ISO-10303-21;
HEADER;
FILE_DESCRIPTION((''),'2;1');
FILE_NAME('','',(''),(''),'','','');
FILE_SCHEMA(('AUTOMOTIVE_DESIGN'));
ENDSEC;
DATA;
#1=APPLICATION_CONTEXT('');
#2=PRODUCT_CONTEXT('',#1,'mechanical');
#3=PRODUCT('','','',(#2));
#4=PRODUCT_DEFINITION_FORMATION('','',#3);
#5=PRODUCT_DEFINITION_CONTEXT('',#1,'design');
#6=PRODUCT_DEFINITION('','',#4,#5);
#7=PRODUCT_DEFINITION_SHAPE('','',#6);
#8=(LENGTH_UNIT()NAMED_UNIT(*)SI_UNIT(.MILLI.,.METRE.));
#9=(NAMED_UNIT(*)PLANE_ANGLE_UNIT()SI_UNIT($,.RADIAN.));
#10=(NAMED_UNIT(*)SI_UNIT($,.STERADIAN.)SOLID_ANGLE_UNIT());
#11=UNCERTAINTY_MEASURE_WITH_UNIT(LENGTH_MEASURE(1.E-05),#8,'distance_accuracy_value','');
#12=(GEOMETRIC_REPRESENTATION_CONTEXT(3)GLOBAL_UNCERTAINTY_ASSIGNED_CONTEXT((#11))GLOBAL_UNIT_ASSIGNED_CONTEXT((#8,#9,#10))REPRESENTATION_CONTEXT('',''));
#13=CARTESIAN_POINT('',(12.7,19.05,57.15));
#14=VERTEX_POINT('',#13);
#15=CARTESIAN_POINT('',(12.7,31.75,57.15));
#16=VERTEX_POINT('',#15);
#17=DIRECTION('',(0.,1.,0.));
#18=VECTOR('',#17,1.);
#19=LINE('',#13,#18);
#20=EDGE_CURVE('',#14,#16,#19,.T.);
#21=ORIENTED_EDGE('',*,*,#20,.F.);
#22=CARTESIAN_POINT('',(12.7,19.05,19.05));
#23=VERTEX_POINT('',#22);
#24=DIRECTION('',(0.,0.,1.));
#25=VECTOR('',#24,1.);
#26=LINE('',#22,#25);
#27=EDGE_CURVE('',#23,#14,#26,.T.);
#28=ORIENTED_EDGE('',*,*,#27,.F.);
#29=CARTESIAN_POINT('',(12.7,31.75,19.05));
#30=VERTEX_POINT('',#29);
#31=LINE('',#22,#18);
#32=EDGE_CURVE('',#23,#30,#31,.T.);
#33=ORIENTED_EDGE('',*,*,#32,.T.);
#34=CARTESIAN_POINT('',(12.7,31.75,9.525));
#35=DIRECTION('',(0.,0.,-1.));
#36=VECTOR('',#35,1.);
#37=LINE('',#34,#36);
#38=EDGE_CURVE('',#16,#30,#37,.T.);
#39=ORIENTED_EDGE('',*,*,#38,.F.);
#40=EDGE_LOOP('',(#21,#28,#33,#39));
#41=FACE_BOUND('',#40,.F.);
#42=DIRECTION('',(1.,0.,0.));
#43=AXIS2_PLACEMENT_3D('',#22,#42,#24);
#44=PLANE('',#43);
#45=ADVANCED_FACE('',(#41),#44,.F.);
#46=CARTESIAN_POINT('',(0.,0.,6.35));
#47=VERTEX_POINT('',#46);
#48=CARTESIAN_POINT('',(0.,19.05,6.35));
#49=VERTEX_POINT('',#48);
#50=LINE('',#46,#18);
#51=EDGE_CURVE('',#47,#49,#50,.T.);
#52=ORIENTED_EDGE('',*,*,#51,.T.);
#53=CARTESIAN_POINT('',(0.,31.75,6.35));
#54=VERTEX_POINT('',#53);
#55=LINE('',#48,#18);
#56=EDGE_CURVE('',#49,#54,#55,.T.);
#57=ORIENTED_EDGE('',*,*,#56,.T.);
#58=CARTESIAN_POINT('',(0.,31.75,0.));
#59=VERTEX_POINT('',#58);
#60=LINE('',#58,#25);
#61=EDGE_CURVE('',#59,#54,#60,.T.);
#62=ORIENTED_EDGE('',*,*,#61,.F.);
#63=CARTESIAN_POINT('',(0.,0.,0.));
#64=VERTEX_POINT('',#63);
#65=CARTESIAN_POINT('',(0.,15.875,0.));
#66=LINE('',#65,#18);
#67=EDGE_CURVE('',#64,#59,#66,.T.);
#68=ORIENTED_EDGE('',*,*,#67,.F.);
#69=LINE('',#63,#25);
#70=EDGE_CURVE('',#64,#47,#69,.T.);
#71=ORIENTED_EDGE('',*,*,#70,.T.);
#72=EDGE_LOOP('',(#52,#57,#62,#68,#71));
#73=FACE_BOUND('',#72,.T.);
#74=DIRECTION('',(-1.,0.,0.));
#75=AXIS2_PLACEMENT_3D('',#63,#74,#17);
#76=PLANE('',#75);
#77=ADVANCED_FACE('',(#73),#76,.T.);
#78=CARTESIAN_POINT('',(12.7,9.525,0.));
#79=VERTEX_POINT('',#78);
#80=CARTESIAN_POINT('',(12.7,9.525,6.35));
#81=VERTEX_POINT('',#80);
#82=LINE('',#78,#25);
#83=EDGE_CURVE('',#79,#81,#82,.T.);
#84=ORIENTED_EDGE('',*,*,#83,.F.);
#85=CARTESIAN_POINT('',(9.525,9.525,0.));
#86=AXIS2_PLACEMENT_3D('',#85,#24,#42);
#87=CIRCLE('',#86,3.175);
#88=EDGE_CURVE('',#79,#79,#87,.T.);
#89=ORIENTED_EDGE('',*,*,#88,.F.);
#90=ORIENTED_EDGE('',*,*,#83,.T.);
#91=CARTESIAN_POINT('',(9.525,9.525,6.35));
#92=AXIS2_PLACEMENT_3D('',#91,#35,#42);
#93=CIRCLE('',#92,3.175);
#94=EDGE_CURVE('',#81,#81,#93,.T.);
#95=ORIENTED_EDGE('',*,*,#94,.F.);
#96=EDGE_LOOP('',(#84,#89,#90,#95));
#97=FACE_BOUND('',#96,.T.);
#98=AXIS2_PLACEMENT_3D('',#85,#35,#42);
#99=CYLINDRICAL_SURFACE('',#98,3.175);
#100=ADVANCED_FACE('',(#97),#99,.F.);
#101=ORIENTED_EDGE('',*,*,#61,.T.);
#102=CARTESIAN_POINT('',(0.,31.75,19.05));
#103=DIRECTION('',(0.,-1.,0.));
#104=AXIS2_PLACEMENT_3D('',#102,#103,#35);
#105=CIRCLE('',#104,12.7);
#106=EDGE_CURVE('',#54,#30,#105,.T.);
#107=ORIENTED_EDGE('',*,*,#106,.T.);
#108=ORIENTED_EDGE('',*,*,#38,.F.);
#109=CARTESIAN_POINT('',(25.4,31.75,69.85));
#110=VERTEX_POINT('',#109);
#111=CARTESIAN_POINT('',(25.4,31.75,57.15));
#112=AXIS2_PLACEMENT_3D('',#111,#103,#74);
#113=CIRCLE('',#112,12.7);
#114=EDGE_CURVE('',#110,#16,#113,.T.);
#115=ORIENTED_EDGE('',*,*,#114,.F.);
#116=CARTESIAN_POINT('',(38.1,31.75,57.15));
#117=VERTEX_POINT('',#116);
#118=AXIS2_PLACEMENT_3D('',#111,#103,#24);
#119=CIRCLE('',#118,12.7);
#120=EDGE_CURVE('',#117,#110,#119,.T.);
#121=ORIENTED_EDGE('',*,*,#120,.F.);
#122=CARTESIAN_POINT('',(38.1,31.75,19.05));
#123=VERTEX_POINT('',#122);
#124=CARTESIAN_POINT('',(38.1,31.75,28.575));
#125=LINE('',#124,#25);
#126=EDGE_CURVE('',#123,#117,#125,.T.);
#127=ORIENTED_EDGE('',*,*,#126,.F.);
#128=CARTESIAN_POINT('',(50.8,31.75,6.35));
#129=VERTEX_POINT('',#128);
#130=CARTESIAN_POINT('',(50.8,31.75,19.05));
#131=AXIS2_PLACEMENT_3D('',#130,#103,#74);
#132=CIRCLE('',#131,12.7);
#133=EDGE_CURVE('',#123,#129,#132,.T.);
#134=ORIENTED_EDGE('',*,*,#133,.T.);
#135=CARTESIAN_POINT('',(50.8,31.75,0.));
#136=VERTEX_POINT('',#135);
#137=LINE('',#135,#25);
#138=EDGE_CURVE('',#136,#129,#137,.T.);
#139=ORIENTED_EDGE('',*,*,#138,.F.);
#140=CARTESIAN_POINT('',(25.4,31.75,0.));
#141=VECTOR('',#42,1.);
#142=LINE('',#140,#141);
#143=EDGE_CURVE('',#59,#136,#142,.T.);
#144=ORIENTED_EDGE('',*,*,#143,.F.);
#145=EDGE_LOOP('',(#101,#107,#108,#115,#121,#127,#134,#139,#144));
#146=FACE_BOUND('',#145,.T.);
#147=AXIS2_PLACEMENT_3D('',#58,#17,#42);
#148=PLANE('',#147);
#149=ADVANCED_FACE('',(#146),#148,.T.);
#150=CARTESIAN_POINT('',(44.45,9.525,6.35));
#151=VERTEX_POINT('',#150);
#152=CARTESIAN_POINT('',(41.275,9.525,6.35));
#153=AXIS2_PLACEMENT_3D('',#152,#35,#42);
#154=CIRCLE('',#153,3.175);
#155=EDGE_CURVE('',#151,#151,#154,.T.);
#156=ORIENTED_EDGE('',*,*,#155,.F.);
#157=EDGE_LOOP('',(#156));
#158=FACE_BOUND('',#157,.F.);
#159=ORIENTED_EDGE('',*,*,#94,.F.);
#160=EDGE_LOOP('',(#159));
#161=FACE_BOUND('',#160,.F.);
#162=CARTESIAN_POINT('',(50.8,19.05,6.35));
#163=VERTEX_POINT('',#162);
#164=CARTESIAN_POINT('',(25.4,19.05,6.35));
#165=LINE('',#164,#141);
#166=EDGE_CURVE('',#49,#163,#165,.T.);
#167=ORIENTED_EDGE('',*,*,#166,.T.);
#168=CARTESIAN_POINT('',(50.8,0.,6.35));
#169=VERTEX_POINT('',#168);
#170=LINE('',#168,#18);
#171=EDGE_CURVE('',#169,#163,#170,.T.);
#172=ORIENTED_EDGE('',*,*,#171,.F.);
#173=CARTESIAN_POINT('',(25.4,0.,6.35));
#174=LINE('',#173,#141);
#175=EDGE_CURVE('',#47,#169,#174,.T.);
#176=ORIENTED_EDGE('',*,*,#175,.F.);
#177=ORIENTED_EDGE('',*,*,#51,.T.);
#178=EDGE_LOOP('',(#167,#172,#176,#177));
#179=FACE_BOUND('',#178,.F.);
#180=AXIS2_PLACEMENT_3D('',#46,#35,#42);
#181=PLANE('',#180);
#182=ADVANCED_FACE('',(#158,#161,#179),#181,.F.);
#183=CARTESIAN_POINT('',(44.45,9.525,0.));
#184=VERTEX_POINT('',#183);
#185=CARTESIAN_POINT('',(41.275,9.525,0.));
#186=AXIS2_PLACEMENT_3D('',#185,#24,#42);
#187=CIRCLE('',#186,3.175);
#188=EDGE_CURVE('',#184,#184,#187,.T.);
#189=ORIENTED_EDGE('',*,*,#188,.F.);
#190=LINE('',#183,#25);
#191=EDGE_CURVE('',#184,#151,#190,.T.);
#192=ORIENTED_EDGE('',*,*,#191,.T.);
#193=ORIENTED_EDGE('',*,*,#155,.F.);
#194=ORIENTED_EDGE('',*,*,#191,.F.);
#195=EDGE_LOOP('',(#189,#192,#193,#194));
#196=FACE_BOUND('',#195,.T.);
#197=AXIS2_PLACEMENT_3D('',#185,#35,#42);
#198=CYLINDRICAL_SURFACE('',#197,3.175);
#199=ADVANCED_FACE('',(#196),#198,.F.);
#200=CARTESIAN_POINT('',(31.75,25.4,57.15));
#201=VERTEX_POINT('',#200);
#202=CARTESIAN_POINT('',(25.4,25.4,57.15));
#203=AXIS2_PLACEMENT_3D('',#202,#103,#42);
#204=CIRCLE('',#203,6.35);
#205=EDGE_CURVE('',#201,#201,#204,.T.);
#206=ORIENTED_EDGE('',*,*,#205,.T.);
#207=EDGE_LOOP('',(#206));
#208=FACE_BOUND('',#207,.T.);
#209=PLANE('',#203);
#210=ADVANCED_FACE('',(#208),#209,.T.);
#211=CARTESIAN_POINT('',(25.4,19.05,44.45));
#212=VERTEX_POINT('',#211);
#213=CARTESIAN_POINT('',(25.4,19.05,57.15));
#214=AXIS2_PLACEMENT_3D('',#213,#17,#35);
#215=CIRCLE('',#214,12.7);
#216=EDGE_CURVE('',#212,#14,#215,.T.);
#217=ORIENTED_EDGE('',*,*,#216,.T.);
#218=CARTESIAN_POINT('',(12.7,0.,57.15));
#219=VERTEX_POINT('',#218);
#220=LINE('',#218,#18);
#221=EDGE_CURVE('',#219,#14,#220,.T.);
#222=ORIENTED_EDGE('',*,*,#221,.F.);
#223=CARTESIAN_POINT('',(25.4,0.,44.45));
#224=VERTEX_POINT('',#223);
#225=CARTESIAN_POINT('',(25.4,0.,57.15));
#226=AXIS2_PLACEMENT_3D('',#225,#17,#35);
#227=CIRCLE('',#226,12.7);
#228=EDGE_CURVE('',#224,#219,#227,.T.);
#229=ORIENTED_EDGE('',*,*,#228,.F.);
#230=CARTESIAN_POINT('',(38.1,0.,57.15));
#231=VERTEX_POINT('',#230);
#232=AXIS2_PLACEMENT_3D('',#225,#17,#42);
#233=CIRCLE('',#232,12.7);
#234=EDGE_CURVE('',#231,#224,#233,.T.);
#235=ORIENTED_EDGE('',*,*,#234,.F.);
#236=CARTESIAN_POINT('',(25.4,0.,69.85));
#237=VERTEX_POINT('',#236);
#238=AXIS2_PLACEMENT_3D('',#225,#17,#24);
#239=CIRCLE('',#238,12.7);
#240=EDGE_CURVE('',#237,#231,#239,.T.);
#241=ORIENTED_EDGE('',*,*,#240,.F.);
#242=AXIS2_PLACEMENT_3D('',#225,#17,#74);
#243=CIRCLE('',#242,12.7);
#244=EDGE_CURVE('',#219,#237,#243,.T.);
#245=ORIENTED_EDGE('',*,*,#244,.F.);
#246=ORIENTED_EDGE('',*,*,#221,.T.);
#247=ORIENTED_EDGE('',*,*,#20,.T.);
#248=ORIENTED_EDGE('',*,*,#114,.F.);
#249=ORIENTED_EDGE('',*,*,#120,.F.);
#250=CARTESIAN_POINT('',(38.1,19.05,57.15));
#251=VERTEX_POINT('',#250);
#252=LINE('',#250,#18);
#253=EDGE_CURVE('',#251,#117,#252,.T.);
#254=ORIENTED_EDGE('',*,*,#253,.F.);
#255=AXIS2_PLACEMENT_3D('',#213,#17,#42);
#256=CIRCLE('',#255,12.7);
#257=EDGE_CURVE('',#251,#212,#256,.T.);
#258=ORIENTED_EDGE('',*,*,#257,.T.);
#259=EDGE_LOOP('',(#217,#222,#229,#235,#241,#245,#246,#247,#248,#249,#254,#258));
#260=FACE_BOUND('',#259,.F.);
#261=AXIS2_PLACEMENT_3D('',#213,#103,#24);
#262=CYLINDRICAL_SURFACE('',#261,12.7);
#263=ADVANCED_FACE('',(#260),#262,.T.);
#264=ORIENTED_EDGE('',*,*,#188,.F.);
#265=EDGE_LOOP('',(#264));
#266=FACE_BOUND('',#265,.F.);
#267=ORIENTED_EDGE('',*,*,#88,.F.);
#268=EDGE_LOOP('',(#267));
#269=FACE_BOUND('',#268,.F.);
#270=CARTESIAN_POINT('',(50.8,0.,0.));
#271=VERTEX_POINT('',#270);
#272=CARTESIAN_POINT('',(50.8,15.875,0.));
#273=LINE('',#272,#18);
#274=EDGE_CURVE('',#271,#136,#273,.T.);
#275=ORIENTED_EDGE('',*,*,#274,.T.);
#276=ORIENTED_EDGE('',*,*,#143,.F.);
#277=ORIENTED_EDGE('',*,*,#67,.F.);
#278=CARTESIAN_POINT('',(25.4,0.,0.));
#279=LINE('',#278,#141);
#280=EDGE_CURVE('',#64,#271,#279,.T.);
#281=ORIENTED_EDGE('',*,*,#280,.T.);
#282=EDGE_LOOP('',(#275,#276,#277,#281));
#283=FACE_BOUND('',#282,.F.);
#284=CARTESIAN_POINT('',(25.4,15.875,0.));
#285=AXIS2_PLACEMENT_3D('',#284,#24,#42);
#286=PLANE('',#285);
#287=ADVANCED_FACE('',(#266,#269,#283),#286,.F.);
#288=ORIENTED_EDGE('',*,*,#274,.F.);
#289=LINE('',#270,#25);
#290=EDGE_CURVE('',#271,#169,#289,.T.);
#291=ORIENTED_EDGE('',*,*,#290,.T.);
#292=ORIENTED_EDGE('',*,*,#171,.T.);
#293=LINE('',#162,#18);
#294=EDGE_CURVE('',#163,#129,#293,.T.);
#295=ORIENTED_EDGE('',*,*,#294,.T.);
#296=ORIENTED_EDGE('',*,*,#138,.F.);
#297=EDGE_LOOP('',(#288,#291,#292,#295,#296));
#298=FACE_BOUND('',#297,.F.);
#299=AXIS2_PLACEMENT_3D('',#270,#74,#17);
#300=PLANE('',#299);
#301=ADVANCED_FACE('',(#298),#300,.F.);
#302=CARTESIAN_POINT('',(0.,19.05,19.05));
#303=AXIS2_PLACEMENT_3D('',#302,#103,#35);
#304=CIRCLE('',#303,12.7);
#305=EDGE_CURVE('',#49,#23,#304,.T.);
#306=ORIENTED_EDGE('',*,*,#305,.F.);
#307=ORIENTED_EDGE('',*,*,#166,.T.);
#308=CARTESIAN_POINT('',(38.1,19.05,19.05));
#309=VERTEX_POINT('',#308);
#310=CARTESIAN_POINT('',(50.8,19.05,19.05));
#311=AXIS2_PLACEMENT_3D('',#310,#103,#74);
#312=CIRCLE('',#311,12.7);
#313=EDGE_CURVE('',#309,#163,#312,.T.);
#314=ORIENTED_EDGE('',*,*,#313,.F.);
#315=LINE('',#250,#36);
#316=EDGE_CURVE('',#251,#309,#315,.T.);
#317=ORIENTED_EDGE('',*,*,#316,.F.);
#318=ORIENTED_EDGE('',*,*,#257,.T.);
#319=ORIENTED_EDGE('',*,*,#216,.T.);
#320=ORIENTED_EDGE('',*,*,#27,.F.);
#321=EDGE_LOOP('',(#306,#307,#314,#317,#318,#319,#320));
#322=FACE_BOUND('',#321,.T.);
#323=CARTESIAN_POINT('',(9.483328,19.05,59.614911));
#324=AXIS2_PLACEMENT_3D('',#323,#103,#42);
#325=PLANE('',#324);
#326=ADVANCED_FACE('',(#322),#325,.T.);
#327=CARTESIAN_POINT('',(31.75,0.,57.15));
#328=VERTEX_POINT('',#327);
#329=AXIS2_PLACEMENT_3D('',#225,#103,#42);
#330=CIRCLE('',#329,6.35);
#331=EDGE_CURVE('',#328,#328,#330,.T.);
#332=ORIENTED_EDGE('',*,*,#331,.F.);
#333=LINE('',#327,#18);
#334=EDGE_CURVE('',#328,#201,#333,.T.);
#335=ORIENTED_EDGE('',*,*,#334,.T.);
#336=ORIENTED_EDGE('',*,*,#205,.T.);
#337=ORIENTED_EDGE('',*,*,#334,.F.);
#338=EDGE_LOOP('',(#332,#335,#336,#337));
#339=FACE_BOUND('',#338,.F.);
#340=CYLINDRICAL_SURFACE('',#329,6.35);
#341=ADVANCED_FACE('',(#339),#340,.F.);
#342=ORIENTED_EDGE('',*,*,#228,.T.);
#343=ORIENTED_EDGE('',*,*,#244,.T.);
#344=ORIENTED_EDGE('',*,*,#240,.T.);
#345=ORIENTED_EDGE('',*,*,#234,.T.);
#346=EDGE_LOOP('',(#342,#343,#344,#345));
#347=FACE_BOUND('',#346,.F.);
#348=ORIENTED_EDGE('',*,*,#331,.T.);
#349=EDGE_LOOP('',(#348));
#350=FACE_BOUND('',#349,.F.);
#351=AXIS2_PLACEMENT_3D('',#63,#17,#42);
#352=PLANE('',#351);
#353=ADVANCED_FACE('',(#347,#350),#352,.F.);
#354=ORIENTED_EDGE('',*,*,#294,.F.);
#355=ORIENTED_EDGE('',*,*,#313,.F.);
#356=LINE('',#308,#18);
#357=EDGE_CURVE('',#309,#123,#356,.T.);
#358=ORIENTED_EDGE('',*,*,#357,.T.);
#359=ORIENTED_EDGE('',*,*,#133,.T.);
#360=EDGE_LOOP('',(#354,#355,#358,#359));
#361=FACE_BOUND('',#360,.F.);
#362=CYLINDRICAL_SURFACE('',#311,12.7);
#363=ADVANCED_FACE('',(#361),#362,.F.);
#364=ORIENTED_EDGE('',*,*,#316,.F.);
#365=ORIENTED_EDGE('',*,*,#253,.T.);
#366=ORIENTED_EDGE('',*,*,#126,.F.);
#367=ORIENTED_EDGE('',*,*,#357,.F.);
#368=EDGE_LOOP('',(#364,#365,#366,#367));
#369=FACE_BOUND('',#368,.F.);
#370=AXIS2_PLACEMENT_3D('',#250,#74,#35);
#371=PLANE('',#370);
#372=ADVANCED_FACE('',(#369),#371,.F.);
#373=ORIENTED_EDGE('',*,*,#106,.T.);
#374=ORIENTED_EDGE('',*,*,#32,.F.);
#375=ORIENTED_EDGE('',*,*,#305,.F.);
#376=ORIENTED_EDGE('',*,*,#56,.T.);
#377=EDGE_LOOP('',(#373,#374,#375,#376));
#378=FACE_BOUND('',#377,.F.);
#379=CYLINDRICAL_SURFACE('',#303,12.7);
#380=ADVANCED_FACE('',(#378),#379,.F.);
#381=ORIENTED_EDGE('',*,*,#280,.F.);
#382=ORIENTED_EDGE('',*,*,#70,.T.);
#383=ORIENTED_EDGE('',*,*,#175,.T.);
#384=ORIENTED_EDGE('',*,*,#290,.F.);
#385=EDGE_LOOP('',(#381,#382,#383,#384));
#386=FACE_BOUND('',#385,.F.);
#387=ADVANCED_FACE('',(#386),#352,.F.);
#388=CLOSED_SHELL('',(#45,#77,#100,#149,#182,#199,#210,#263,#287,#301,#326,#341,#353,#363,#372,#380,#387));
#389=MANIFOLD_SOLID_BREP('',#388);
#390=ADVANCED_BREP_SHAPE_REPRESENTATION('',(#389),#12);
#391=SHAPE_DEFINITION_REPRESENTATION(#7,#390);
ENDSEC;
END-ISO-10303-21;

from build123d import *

# Parameters (mm, degrees)
F0_W      = 50.8
F0_H      = 31.75
F1_DEPTH  = 69.85
F2_W      = 50.8
F2_H      = 38.1
F3_DEPTH  = 19.05
F5_DEPTH  = 19.05
F6_R      = 6.35
F8_DEPTH  = 25.4
F9_R      = 3.175
F10_DEPTH = 19.05


with BuildPart() as f1:
    # F0 (on Top) → F1 (new body)
    with BuildSketch(Plane.XY):
        with Locations((25.4, 15.875)):
            Rectangle(F0_W, F0_H)
    extrude(amount=F1_DEPTH)

    # F2 (on face) → F3 (cut)
    with BuildSketch(Plane.XZ):
        with Locations((25.4, 25.4)):
            Rectangle(F2_W, F2_H)
    extrude(amount=-F3_DEPTH, mode=Mode.SUBTRACT)

    # F4 (on face) → F5 (cut)
    with BuildSketch(Plane.XZ):
        with BuildLine():
            ThreePointArc((12.7, 57.15), (16.4197438789, 66.1302561211), (25.4, 69.85))
            Line((25.4, 69.85), (0, 69.85))
            Line((0, 69.85), (0, 44.45))
            Line((0, 44.45), (12.7, 44.45))
            Line((12.7, 44.45), (12.7, 57.15))
        make_face()
        with BuildLine():
            ThreePointArc((25.4, 69.85), (34.3802561211, 66.1302561211), (38.1, 57.15))
            Line((38.1, 57.15), (38.1, 44.45))
            Line((38.1, 44.45), (50.8, 44.45))
            Line((50.8, 44.45), (50.8, 69.85))
            Line((50.8, 69.85), (25.4, 69.85))
        make_face()
        with BuildLine():
            Line((38.1, 44.45), (38.1, 57.15))
            ThreePointArc((38.1, 57.15), (34.3802561211, 48.1697438789), (25.4, 44.45))
            Line((25.4, 44.45), (38.1, 44.45))
        make_face()
        with BuildLine():
            Line((12.7, 44.45), (25.4, 44.45))
            ThreePointArc((25.4, 44.45), (16.4197438789, 48.1697438789), (12.7, 57.15))
            Line((12.7, 57.15), (12.7, 44.45))
        make_face()
    extrude(amount=-F5_DEPTH, mode=Mode.SUBTRACT)

    # F7 (on face) + F6 (on face) → F8 (cut)
    with BuildSketch(Plane.XZ.offset(-19.05)):
        with BuildLine():
            ThreePointArc((25.4, 69.85), (34.3802561211, 66.1302561211), (38.1, 57.15))
            Line((38.1, 57.15), (38.1, 19.05))
            ThreePointArc((38.1, 19.05), (41.8197438789, 10.0697438789), (50.8, 6.35))
            Line((50.8, 6.35), (50.8, 69.85))
            Line((50.8, 69.85), (25.4, 69.85))
        make_face()
        with BuildLine():
            Line((12.7, 19.05), (12.7, 57.15))
            ThreePointArc((12.7, 57.15), (16.4197438789, 66.1302561211), (25.4, 69.85))
            Line((25.4, 69.85), (0, 69.85))
            Line((0, 69.85), (0, 6.35))
            ThreePointArc((0, 6.35), (8.9802561211, 10.0697438789), (12.7, 19.05))
        make_face()
    with BuildSketch(Plane.XZ):
        with Locations((25.4, 57.15)):
            Circle(F6_R)
    extrude(amount=-F8_DEPTH, mode=Mode.SUBTRACT)

    # F9 (on Top) → F10 (cut)
    with BuildSketch(Plane.XY):
        with Locations((41.275, 9.525)):
            Circle(F9_R)
        with Locations((9.525, 9.525)):
            Circle(F9_R)
    extrude(amount=F10_DEPTH, mode=Mode.SUBTRACT)


solid = f1.part
